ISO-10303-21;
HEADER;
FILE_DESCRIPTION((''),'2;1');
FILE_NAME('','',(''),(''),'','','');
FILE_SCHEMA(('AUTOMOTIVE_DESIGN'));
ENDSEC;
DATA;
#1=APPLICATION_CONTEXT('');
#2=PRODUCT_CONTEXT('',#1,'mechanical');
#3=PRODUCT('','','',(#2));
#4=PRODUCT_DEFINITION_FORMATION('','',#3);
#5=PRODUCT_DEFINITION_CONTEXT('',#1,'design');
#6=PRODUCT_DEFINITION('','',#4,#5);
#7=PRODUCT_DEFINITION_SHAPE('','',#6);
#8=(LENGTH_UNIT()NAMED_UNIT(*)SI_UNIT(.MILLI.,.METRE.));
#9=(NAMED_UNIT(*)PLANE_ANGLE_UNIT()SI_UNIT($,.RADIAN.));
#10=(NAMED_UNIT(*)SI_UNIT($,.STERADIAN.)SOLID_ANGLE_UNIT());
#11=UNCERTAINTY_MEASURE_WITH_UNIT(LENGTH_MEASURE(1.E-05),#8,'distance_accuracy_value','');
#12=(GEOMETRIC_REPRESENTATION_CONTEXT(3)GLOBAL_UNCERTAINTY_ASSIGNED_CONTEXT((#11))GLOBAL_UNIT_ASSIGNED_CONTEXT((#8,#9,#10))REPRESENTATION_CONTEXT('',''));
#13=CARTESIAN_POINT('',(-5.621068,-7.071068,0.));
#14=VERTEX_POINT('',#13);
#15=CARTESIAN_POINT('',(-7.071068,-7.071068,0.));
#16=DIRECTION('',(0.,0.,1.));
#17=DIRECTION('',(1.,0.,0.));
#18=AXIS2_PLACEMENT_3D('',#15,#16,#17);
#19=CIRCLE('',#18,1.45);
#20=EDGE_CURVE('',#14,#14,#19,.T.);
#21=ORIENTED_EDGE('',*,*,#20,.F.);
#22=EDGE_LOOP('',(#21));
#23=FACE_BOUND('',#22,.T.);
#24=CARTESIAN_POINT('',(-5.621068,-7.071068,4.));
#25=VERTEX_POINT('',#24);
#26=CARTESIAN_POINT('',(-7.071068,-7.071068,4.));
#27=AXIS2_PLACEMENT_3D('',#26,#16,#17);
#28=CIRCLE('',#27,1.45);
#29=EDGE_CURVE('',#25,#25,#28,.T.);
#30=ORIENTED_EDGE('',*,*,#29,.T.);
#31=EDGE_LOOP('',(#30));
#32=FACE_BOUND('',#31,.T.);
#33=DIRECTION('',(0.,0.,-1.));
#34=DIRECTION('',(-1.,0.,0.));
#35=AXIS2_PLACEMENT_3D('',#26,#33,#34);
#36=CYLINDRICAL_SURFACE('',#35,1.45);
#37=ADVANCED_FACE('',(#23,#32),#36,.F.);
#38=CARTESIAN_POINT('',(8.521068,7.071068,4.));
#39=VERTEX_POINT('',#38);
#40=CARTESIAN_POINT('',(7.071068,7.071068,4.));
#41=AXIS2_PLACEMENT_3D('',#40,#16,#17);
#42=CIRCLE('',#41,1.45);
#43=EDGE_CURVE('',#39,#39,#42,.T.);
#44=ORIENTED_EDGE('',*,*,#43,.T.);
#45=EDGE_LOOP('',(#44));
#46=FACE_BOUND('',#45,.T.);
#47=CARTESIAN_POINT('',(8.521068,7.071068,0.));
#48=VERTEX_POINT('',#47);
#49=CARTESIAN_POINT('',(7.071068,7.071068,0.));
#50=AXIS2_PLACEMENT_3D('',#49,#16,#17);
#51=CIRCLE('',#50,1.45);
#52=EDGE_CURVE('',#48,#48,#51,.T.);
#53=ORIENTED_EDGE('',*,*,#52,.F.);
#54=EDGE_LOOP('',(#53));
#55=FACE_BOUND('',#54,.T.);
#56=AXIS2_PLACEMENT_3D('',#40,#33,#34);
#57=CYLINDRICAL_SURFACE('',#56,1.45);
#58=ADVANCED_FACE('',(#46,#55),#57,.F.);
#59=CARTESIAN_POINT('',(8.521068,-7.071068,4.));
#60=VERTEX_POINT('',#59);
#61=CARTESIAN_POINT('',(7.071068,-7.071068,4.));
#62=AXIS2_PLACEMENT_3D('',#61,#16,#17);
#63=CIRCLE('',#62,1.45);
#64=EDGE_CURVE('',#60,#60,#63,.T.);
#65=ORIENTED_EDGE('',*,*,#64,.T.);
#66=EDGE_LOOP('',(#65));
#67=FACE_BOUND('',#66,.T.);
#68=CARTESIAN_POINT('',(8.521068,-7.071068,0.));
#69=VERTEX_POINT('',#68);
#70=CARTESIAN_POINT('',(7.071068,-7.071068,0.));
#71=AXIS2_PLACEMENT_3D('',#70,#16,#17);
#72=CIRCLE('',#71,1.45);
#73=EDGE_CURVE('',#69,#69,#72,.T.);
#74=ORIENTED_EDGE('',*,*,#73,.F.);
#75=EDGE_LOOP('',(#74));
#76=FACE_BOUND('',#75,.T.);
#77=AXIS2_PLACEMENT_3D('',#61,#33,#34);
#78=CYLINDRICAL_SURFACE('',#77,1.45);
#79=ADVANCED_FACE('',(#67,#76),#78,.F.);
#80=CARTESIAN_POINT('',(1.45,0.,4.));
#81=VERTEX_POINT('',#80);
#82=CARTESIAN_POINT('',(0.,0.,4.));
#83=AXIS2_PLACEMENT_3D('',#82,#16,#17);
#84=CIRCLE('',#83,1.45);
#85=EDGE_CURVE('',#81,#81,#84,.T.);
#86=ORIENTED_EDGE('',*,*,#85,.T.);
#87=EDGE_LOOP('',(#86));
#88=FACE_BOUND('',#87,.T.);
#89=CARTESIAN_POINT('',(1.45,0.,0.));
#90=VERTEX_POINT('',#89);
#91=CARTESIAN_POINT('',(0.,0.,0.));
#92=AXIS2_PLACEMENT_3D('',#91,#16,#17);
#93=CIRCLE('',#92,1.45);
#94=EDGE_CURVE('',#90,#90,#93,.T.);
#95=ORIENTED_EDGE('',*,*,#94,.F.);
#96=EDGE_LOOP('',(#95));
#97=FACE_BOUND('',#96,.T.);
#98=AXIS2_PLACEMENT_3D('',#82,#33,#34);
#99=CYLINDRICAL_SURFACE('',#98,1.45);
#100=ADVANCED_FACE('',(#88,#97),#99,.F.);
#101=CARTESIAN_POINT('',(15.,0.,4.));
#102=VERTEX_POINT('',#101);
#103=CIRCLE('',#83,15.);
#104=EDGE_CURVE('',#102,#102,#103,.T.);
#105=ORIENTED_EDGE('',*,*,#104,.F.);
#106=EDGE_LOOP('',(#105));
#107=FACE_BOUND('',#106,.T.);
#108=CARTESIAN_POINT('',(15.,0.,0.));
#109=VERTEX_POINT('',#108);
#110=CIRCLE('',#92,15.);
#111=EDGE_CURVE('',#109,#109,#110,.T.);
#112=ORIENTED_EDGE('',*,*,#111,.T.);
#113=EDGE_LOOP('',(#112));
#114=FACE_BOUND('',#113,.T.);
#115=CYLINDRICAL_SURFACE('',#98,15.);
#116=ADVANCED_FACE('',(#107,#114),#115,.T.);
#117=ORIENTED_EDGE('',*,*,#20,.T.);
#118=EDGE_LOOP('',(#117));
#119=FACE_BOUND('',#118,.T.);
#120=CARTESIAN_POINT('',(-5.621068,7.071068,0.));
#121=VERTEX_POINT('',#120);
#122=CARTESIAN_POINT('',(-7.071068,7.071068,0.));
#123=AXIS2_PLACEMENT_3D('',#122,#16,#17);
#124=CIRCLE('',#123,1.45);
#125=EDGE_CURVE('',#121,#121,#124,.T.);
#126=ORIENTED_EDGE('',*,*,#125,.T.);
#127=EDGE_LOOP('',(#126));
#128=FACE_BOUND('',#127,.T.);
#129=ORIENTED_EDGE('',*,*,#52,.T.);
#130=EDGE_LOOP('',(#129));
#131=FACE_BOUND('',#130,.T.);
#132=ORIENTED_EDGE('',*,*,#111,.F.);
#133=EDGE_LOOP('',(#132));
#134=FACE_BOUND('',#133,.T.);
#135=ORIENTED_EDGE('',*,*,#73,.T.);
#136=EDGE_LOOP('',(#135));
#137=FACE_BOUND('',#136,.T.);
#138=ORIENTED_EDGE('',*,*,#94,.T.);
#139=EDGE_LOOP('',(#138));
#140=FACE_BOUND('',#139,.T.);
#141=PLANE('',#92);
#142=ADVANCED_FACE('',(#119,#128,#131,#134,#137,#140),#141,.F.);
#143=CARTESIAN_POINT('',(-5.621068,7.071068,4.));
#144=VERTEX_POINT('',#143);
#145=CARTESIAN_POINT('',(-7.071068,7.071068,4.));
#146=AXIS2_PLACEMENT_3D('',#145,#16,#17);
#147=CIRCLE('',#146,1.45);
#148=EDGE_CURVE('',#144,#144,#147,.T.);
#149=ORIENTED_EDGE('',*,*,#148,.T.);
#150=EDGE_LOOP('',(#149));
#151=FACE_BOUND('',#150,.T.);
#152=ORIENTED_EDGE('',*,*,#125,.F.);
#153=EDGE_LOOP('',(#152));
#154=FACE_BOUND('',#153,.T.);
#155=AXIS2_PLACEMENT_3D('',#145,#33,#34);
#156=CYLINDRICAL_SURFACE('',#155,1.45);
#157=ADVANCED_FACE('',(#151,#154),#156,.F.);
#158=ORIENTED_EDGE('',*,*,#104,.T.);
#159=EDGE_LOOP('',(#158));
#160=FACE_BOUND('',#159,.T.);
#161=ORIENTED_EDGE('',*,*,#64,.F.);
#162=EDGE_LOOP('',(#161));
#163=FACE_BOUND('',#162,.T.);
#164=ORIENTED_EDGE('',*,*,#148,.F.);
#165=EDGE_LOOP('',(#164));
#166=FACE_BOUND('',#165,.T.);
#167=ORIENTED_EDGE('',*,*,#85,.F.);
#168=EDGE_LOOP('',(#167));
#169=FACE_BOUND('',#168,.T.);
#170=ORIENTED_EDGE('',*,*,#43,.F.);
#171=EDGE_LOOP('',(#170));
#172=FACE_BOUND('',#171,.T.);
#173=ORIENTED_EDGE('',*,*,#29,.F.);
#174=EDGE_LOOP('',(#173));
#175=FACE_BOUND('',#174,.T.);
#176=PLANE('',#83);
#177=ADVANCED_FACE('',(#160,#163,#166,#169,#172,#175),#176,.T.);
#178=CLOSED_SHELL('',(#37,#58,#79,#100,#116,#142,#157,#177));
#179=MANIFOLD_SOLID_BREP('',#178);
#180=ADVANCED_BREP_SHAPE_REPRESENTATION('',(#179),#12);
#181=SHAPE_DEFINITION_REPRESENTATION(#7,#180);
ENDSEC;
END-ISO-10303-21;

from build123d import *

# Parameters (mm, degrees)
SKETCH_1_R      = 15
SKETCH_1_R_2    = 1.45
EXTRUDE_1_DEPTH = 4


with BuildPart() as part:
    # 草图1 → 凸台-拉伸1 (new body)
    with BuildSketch(Plane.XY):
        Circle(SKETCH_1_R)
        Circle(SKETCH_1_R_2, mode=Mode.SUBTRACT)
        with Locations((-7.071067812, -7.071067812)):
            Circle(SKETCH_1_R_2, mode=Mode.SUBTRACT)
        with Locations((-7.071067812, 7.071067812)):
            Circle(SKETCH_1_R_2, mode=Mode.SUBTRACT)
        with Locations((7.071067812, 7.071067812)):
            Circle(SKETCH_1_R_2, mode=Mode.SUBTRACT)
        with Locations((7.071067812, -7.071067812)):
            Circle(SKETCH_1_R_2, mode=Mode.SUBTRACT)
    extrude(amount=EXTRUDE_1_DEPTH)


solid = part.part
